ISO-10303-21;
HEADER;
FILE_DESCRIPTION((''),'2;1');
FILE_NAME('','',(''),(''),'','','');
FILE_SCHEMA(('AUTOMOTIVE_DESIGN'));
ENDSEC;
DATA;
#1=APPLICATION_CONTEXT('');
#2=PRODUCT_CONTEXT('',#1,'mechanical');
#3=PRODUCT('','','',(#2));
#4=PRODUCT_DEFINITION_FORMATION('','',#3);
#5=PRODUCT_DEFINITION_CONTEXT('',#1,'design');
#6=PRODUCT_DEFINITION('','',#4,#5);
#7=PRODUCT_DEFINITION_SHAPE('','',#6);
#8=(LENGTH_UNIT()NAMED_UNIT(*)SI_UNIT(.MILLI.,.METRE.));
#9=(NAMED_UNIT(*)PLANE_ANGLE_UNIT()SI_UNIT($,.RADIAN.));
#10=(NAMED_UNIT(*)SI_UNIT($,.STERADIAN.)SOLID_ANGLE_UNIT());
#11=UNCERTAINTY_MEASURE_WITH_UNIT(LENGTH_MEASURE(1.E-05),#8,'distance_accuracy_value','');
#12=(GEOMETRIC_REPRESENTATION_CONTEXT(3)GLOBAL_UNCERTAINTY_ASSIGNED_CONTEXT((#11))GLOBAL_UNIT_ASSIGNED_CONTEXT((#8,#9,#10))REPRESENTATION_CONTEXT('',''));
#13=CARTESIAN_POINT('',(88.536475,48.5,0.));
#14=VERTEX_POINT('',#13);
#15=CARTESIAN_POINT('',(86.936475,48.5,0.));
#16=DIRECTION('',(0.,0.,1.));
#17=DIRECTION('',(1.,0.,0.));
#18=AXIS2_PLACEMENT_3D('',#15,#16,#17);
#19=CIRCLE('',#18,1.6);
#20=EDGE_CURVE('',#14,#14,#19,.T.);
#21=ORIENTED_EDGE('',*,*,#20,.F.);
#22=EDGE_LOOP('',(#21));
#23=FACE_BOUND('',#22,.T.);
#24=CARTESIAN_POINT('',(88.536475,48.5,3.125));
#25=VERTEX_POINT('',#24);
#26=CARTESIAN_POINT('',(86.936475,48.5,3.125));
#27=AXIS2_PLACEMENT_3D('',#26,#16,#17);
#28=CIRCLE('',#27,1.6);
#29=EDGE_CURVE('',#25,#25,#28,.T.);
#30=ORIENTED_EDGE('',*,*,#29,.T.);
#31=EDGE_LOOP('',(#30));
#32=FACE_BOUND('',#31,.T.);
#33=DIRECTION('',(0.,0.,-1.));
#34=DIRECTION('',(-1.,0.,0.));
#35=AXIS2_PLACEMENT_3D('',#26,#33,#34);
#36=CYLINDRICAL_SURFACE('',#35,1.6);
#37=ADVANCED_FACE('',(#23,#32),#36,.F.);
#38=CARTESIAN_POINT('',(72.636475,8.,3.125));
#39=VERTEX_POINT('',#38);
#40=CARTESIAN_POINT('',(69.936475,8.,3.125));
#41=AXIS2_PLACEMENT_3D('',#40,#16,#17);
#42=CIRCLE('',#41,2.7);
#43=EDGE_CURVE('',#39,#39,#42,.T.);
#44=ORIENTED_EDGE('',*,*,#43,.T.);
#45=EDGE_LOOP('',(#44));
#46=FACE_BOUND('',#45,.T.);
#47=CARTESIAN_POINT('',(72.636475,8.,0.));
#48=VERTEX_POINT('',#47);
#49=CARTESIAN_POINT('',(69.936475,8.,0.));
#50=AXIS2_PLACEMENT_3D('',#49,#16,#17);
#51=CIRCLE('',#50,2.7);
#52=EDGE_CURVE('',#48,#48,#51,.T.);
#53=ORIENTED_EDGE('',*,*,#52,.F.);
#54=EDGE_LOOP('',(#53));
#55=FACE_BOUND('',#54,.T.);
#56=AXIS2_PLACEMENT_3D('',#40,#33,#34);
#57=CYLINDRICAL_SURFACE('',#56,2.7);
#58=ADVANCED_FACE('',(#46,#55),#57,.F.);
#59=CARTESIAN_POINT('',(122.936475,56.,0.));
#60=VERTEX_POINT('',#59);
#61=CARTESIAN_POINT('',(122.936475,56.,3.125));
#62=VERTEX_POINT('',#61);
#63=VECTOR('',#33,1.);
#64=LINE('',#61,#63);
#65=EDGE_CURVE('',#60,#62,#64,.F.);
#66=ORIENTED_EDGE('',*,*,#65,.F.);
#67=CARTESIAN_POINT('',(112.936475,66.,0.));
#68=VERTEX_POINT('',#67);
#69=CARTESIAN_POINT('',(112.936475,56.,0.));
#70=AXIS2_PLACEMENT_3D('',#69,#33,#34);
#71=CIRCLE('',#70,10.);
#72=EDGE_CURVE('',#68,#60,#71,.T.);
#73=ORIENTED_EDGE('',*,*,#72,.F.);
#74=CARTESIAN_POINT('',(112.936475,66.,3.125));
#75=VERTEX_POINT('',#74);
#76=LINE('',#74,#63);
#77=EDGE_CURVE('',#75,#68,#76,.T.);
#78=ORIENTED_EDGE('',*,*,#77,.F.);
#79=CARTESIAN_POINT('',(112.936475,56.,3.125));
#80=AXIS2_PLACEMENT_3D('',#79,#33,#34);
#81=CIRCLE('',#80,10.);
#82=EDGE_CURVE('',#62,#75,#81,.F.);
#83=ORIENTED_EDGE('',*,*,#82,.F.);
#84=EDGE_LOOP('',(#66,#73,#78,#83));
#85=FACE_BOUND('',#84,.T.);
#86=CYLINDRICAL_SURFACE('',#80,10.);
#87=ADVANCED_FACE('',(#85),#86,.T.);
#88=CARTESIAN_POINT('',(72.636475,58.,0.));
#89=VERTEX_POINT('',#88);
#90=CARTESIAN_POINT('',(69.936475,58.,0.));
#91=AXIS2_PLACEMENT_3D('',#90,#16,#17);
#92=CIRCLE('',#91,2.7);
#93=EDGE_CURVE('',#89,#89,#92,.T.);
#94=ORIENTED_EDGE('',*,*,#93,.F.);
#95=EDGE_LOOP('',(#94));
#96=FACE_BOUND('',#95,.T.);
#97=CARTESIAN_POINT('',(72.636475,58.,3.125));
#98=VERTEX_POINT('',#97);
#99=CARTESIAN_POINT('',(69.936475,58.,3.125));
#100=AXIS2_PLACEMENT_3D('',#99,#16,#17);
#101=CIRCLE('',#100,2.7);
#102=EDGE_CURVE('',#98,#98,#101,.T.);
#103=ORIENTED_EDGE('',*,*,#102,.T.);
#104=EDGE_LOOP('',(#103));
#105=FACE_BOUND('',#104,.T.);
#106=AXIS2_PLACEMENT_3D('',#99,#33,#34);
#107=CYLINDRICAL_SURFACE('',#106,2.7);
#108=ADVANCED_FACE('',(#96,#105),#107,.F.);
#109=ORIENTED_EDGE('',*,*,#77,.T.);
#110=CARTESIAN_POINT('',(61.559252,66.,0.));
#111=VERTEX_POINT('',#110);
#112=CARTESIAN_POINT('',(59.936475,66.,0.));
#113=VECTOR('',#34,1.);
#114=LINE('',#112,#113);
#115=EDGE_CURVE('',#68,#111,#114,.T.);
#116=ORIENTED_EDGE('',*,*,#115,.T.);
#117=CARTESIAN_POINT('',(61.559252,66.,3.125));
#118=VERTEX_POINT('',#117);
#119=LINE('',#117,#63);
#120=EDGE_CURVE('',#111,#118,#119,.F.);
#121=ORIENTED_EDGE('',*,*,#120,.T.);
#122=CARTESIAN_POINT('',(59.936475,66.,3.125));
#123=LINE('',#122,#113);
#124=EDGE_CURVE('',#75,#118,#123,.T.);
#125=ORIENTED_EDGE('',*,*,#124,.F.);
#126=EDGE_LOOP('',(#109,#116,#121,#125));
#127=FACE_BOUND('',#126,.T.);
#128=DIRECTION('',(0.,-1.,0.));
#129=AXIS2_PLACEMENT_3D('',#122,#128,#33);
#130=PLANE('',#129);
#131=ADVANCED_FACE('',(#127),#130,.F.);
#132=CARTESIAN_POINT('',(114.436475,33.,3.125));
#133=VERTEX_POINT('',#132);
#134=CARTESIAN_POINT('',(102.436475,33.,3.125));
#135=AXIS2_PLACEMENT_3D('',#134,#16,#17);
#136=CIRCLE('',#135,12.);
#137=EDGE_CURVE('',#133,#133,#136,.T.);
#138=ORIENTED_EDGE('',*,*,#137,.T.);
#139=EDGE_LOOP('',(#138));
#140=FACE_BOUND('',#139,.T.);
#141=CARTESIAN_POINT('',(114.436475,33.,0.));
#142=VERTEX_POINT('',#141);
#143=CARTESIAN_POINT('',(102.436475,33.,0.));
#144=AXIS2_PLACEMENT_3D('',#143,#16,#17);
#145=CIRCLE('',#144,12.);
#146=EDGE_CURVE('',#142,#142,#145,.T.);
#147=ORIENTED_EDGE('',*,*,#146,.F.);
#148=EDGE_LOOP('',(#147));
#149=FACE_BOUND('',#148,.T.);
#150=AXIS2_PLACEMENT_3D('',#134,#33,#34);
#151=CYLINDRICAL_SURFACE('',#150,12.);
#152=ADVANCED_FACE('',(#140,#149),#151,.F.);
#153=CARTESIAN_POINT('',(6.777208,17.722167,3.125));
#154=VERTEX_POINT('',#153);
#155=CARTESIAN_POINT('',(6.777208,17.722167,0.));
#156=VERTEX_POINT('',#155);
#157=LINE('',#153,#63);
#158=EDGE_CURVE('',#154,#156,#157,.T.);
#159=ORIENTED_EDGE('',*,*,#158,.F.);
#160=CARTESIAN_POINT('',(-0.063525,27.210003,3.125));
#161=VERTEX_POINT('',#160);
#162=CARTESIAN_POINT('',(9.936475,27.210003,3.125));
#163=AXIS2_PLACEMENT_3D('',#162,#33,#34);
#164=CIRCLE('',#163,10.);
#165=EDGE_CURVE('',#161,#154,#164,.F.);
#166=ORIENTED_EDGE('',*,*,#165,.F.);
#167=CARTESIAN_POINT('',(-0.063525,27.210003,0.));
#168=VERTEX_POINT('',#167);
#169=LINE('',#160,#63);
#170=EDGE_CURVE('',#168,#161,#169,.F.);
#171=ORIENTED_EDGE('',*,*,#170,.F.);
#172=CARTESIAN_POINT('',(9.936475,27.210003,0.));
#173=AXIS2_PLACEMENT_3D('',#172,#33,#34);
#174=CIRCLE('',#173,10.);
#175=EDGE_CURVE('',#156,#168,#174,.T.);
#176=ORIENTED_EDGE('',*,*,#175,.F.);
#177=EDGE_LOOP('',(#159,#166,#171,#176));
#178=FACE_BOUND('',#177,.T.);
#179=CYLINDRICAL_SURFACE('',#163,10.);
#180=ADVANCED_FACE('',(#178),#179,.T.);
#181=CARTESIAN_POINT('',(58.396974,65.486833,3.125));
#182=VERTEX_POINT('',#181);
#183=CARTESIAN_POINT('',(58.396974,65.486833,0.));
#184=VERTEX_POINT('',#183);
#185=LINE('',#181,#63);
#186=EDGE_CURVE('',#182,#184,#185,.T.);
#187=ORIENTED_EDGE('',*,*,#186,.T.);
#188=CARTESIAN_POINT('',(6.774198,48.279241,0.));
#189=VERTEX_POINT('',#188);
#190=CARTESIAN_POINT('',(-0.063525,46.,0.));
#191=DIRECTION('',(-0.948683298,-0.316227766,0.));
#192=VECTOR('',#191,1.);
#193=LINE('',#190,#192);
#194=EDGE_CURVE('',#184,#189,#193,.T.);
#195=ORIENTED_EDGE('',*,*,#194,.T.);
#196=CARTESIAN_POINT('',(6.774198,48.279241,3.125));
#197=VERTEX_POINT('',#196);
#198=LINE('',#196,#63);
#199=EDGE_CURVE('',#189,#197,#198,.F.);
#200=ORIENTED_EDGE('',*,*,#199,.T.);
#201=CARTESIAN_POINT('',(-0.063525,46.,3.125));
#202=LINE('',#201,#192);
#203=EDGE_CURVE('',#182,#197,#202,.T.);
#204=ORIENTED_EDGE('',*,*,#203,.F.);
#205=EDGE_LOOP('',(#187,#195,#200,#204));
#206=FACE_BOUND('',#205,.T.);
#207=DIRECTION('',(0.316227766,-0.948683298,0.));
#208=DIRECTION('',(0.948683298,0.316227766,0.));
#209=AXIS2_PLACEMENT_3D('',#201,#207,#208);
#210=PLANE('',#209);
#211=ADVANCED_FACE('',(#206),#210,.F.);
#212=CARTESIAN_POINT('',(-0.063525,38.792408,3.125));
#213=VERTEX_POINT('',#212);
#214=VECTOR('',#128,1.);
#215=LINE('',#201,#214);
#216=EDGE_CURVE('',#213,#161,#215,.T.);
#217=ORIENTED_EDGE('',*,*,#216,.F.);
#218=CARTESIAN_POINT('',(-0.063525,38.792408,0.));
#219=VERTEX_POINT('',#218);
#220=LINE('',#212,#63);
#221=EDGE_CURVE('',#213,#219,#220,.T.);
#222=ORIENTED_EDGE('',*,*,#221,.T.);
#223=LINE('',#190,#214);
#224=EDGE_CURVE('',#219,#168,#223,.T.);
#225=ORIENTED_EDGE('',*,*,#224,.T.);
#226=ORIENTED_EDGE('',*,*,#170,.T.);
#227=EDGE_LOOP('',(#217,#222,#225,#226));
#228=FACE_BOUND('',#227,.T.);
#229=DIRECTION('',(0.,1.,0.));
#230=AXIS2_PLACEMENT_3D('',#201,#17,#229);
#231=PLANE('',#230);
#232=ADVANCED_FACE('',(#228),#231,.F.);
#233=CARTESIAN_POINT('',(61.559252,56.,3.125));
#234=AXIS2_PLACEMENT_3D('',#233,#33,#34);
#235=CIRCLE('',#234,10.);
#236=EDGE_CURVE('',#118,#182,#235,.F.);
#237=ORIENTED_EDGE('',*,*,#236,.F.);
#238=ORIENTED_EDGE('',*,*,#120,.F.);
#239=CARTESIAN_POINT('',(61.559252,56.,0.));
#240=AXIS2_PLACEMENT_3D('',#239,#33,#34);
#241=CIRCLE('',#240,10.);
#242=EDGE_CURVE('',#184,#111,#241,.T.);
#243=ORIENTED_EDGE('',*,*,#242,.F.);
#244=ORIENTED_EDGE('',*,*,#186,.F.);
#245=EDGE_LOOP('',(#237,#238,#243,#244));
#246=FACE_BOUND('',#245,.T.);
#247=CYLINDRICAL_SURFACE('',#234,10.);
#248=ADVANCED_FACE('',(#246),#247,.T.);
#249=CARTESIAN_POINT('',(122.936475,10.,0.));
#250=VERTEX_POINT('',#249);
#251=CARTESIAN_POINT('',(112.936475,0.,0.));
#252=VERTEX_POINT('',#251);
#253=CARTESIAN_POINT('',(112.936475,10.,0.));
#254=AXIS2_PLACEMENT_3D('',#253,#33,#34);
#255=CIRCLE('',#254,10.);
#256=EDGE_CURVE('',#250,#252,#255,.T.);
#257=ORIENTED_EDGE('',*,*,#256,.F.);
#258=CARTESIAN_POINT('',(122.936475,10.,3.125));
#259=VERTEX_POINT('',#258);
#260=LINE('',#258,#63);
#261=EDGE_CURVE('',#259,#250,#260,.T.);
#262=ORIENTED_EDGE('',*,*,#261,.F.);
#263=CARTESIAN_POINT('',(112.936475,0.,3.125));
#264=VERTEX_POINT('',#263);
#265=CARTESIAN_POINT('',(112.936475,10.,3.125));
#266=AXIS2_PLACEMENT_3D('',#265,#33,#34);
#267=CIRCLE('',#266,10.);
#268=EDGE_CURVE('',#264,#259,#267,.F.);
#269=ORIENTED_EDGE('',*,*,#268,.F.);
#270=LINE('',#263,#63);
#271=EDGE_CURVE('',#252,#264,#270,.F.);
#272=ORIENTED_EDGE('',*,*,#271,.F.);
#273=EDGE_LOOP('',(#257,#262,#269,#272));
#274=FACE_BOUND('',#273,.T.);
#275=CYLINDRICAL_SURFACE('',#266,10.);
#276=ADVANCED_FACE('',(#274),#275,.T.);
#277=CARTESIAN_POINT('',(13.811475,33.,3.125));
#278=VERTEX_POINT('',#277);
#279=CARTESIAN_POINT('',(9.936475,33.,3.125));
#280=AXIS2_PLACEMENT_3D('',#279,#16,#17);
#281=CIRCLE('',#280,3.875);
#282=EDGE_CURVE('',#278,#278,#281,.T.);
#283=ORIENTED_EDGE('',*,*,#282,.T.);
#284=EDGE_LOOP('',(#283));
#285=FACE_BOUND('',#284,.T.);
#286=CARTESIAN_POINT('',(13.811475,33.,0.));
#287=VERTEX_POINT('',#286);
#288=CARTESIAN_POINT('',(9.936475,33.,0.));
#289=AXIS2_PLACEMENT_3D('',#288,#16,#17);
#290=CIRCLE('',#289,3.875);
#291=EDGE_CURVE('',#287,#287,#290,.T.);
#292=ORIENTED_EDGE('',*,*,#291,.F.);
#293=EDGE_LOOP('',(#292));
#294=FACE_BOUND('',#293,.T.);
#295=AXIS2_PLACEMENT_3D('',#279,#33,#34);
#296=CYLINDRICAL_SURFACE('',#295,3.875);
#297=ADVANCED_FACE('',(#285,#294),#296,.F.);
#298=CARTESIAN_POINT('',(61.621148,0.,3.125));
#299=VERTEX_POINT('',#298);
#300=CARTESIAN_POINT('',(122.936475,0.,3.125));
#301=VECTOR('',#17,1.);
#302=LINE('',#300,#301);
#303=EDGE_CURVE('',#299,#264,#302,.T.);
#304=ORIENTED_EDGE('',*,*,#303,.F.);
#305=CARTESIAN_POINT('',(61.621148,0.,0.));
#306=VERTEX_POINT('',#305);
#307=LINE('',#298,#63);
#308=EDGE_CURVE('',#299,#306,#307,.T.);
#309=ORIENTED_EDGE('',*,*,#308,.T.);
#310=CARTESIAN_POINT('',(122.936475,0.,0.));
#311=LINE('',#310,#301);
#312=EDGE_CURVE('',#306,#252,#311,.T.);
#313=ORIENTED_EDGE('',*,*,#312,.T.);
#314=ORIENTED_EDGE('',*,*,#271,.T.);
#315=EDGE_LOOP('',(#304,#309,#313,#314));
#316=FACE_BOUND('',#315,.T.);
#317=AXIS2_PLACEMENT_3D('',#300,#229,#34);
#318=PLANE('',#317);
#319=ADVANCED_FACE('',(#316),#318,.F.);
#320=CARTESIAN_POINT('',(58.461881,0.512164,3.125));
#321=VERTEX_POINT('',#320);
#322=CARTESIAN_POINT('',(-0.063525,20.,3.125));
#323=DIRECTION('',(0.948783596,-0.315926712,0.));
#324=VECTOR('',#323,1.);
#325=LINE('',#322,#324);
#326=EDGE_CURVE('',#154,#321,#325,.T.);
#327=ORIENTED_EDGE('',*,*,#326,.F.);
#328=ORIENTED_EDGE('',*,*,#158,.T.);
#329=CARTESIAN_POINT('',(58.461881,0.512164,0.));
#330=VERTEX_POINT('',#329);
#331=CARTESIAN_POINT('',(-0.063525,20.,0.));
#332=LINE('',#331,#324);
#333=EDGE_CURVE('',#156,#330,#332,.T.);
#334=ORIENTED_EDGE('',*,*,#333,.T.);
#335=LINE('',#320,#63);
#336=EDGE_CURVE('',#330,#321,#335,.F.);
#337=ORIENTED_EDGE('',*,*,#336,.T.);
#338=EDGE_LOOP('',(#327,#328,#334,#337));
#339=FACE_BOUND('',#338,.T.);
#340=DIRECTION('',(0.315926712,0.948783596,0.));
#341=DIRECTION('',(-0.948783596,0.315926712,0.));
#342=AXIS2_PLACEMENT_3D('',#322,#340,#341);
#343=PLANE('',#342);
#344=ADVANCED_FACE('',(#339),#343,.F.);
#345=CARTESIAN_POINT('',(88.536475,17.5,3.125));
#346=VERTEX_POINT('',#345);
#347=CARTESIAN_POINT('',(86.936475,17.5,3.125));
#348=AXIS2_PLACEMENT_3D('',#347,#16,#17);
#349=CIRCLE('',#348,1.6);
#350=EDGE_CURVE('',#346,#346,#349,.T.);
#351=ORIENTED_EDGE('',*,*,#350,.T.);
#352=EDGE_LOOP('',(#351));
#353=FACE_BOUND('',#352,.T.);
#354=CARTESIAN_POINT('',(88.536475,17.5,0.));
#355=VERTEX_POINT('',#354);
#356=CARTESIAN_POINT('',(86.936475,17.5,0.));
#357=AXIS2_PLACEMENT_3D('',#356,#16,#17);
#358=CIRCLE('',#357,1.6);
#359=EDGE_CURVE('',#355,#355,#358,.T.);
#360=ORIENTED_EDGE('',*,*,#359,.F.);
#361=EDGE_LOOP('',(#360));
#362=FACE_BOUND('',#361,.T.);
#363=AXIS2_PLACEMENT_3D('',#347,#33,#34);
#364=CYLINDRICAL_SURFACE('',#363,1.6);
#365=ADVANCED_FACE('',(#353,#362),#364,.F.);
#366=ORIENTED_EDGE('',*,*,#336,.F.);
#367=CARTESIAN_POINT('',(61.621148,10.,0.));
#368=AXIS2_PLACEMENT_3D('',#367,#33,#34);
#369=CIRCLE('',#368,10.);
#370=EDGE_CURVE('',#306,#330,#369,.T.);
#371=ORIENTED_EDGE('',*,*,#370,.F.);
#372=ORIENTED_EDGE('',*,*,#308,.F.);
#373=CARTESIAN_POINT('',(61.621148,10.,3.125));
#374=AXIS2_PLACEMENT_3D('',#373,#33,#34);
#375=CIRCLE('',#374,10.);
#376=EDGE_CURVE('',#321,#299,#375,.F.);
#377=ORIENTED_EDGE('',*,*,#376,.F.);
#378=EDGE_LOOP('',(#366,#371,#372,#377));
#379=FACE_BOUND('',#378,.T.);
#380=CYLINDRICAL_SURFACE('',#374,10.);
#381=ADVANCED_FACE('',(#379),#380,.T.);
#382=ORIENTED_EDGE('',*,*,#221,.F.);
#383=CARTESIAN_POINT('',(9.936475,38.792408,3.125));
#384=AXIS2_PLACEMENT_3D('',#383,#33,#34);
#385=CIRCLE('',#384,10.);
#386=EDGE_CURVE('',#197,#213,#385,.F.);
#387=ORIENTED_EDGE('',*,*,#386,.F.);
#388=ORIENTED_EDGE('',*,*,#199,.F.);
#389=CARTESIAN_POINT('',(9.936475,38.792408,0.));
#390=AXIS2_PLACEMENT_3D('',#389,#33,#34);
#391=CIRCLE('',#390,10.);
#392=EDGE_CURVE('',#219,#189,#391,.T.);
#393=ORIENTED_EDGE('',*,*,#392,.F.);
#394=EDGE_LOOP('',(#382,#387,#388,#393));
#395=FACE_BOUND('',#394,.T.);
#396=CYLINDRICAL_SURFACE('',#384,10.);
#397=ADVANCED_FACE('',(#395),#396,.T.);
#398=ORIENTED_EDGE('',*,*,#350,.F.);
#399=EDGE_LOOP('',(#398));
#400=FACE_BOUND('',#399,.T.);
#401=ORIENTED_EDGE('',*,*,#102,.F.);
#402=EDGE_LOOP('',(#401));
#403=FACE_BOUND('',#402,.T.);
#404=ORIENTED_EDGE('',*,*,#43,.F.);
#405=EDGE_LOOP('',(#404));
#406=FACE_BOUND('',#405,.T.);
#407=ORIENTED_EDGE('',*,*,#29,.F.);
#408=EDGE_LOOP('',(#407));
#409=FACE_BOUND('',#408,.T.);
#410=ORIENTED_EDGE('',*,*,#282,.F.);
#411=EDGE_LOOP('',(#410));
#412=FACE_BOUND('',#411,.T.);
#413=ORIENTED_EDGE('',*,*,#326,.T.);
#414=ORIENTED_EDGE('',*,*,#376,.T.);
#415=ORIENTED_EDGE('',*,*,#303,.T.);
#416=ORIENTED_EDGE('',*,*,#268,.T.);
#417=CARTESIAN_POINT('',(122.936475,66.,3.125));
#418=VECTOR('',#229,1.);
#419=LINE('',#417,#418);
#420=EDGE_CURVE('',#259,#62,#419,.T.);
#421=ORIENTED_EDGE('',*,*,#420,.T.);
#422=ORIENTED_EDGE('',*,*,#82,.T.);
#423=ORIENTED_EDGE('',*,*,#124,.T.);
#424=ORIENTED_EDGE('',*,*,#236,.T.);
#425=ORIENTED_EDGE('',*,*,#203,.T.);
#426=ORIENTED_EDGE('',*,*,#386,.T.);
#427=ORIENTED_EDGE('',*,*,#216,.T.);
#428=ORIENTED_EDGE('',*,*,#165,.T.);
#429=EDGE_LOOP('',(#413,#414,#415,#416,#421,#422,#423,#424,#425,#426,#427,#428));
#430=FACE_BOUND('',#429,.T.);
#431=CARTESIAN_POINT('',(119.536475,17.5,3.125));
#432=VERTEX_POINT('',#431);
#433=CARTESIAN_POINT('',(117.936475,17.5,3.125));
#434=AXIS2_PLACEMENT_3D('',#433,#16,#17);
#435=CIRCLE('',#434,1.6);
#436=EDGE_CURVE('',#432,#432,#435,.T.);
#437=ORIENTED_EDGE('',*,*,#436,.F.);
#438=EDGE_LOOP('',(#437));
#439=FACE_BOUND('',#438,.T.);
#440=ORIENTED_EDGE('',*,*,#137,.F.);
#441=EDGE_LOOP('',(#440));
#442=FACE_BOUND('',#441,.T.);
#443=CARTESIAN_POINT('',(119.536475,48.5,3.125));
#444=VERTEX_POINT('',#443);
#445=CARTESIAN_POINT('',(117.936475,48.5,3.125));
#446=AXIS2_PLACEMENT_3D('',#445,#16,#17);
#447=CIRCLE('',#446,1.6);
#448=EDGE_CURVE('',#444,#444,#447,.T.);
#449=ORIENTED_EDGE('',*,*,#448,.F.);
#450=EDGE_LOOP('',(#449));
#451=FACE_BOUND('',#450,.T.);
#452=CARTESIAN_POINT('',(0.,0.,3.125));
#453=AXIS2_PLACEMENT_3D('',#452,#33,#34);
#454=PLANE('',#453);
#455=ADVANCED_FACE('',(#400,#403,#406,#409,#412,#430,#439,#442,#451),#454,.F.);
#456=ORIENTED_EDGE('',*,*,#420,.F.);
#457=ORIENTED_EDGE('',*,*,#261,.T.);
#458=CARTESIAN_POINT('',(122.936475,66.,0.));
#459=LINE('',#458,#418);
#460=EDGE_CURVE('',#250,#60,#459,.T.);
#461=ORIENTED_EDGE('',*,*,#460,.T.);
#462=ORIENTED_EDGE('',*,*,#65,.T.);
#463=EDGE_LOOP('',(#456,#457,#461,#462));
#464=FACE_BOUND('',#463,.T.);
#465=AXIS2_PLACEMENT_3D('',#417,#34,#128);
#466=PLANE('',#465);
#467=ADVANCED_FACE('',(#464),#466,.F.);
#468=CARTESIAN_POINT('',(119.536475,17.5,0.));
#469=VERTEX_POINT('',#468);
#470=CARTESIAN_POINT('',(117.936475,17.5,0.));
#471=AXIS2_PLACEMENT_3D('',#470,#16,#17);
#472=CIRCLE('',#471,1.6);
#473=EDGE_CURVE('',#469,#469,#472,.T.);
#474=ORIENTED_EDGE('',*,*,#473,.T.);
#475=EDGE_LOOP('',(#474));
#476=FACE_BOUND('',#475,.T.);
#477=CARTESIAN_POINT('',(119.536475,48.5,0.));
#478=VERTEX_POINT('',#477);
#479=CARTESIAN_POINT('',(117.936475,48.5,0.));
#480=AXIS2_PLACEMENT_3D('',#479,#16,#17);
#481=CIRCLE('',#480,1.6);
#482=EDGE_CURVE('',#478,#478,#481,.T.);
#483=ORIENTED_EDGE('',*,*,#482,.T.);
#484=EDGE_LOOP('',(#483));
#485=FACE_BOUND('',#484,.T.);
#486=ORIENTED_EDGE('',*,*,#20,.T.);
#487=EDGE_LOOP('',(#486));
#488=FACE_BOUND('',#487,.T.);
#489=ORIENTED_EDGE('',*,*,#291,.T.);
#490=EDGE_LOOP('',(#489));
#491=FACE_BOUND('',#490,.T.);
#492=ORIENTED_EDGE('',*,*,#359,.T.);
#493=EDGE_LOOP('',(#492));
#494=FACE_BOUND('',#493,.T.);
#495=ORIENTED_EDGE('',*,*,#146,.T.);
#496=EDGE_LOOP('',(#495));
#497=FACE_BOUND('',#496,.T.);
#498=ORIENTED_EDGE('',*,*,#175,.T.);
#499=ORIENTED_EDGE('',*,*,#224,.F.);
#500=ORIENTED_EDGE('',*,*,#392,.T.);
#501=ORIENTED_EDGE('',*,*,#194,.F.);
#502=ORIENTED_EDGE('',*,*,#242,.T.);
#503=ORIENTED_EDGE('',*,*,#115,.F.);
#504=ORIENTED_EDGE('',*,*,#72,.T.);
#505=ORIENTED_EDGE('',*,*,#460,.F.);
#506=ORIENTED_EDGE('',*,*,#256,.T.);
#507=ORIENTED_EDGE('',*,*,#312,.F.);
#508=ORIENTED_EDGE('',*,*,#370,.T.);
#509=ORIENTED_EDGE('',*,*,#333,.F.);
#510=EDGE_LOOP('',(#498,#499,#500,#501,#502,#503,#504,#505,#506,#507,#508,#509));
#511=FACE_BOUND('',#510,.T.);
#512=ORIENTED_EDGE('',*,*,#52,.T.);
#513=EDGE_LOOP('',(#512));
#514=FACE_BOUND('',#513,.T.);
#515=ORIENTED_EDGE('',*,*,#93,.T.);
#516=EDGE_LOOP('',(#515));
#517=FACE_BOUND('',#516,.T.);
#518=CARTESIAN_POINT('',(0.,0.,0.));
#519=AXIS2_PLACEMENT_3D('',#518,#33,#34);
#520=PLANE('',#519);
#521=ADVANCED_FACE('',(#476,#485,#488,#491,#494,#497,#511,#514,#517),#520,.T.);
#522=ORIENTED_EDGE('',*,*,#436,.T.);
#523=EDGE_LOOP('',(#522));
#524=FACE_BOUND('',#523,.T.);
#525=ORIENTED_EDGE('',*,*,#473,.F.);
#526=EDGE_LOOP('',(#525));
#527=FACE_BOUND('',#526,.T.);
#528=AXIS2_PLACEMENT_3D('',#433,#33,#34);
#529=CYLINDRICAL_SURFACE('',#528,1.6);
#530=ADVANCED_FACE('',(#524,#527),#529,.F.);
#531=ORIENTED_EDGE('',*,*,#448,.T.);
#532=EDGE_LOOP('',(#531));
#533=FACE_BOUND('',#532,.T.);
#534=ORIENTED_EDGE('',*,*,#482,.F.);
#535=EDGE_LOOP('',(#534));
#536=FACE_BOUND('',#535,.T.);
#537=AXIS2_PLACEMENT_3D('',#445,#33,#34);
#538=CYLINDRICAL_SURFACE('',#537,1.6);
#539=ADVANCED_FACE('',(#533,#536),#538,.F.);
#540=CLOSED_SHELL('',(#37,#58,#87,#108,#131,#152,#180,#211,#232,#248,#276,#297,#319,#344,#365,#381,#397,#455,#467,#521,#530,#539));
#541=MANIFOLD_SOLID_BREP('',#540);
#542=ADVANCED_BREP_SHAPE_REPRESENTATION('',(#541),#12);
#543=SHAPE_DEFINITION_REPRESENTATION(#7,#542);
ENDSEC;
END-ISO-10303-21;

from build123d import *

# Parameters (mm, degrees)
MODEL_R             = 2.7
MODEL_R_2           = 3.875
MODEL_R_3           = 12
MODEL_R_4           = 1.6
BOSS_EXTRUDE1_DEPTH = 3.125
FILLET1_R           = 10


with BuildPart() as part:
    # Model → Boss-Extrude1 (new body)
    with BuildSketch(Plane.XY):
        Polygon((-0.063524835, 46), (-0.063524835, 20), (60, 0), (122.936475165, 0), (122.936475165, 66), (59.936475165, 66), align=None)
        with Locations((69.936475165, 8)):
            Circle(MODEL_R, mode=Mode.SUBTRACT)
        with Locations((9.936475165, 33)):
            Circle(MODEL_R_2, mode=Mode.SUBTRACT)
        with Locations((69.936475165, 58)):
            Circle(MODEL_R, mode=Mode.SUBTRACT)
        with Locations((102.436475165, 33)):
            Circle(MODEL_R_3, mode=Mode.SUBTRACT)
        with Locations((86.936475165, 48.5)):
            Circle(MODEL_R_4, mode=Mode.SUBTRACT)
        with Locations((117.936475165, 48.5)):
            Circle(MODEL_R_4, mode=Mode.SUBTRACT)
        with Locations((86.936475165, 17.5)):
            Circle(MODEL_R_4, mode=Mode.SUBTRACT)
        with Locations((117.936475165, 17.5)):
            Circle(MODEL_R_4, mode=Mode.SUBTRACT)
    extrude(amount=BOSS_EXTRUDE1_DEPTH)

    # Fillet1
    fillet1_edges = [part.edges().sort_by_distance(p)[0] for p in [
        (59.936475165, 66, 1.5625),
        (122.936475165, 66, 1.5625),
        (122.936475165, 0, 1.5625),
        (60, 0, 1.5625),
        (-0.063524835, 20, 1.5625),
        (-0.063524835, 46, 1.5625),
    ]]
    fillet(fillet1_edges, radius=FILLET1_R)


solid = part.part
